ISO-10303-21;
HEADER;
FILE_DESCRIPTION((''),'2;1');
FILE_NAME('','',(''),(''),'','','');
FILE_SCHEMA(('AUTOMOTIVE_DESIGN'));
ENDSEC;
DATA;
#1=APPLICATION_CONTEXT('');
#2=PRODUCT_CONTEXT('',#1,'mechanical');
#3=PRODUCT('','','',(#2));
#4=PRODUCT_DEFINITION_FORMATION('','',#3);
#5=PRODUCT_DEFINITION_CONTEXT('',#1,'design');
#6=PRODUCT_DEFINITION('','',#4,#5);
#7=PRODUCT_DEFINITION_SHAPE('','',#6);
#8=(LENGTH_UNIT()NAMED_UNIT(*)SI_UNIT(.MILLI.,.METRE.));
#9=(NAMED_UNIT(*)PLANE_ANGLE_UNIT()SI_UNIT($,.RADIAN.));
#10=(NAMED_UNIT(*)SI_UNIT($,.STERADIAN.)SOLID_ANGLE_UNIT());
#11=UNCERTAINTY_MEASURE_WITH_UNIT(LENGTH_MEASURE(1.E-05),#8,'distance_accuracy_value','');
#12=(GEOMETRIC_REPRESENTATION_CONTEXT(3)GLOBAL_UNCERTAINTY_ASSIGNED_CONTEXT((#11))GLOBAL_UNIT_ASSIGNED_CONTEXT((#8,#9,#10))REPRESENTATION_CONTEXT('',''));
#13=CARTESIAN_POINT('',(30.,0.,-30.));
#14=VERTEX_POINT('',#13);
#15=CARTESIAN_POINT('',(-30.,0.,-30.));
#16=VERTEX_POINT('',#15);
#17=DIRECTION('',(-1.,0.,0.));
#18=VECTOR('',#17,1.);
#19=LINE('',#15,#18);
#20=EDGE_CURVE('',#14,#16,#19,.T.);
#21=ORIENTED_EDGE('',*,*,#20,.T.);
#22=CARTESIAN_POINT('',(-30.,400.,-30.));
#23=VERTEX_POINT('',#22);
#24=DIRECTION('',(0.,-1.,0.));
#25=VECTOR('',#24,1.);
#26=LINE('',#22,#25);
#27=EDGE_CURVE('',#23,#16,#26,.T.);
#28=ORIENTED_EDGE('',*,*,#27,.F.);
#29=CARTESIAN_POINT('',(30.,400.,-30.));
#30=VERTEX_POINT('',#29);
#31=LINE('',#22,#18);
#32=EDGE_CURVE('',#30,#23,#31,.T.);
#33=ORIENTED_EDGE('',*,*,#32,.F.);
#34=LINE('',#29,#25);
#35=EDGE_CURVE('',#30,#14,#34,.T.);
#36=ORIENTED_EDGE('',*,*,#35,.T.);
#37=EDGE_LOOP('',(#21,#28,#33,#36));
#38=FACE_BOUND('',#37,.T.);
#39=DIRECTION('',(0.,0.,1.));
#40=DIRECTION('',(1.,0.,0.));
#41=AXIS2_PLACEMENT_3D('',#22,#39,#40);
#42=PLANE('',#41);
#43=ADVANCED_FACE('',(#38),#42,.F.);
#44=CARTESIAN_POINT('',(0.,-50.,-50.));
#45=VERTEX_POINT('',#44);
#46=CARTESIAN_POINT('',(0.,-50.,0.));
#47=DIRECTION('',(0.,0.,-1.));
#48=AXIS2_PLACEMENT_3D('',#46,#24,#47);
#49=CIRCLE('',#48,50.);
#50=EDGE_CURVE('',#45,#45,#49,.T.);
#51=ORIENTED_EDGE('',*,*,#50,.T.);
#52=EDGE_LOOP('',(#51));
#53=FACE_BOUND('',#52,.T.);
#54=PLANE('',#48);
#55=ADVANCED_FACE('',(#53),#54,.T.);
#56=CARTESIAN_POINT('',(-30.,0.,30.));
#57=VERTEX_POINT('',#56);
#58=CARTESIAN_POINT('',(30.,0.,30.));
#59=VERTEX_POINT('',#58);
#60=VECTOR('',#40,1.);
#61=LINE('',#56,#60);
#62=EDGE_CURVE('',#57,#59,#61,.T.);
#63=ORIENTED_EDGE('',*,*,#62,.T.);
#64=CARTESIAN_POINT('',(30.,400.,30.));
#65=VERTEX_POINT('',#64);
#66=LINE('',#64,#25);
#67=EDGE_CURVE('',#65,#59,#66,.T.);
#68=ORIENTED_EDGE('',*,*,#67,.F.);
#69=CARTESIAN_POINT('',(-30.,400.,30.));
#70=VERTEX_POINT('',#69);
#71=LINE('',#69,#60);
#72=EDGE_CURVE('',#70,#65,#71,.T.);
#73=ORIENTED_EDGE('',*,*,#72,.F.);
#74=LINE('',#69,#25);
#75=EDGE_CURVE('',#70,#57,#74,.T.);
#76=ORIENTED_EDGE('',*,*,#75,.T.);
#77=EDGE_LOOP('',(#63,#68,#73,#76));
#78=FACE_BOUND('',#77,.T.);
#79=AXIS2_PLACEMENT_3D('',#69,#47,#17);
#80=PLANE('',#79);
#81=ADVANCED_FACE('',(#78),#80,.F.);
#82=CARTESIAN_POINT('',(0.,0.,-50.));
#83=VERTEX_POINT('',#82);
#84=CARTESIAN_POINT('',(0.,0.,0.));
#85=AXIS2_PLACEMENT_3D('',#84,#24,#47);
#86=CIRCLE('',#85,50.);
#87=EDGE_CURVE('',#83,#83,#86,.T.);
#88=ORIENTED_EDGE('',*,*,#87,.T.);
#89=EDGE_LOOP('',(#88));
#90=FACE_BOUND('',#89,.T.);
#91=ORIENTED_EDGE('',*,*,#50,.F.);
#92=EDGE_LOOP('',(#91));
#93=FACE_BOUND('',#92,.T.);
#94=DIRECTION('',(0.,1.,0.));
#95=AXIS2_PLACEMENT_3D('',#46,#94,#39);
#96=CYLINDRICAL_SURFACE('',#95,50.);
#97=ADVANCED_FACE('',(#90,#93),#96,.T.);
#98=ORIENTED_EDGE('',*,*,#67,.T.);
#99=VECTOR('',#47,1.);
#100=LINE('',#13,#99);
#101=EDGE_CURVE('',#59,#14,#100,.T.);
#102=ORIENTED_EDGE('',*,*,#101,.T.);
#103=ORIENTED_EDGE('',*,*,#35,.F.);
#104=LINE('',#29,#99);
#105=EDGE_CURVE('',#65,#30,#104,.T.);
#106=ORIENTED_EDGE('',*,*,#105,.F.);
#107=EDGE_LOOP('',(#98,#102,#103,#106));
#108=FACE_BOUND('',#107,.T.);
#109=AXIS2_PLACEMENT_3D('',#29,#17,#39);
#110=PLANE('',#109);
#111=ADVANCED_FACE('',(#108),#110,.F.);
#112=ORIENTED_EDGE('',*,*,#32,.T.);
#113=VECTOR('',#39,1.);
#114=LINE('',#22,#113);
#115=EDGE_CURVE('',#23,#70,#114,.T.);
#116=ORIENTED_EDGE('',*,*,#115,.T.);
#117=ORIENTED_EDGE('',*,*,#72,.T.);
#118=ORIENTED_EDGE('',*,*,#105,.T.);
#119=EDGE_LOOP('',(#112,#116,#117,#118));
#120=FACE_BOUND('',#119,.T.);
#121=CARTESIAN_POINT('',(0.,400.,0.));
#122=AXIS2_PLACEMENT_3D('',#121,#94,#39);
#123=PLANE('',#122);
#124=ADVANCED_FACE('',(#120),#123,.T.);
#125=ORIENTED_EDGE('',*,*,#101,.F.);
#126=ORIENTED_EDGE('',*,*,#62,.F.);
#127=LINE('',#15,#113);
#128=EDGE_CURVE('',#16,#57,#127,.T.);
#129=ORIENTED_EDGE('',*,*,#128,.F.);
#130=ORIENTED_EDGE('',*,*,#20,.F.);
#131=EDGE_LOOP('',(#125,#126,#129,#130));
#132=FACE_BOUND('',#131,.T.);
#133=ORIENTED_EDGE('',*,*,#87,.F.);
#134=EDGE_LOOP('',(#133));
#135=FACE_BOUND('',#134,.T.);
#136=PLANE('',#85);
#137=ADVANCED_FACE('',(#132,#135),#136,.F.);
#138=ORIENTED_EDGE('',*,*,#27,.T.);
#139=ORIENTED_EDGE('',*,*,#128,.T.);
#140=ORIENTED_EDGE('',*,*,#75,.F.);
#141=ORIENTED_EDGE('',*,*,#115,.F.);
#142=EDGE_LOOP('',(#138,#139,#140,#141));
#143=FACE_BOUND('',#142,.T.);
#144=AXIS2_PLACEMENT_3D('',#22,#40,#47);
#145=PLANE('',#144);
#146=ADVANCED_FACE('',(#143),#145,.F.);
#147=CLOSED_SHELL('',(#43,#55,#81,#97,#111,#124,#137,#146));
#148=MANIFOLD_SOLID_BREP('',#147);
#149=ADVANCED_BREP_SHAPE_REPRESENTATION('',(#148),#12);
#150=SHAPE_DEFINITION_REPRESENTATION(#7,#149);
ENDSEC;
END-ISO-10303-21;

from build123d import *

# Parameters (mm, degrees)
SKETCH_1_W      = 60
SKETCH_1_H      = 60
EXTRUDE_1_DEPTH = 400
SKETCH_2_R      = 50
EXTRUDE_2_DEPTH = 50


with BuildPart() as part:
    # 草图1 → 凸台-拉伸1 (new body)
    with BuildSketch(Plane(origin=(0, 0, 0), x_dir=(1, 0, 0), z_dir=(0, 1, 0))):
        Rectangle(SKETCH_1_W, SKETCH_1_H)
    extrude(amount=EXTRUDE_1_DEPTH)

    # 草图2 → 凸台-拉伸2 (add)
    with BuildSketch(Plane.XZ):
        with Locations(Location((0, 0, 0), (0, 0, 270))):
            Circle(SKETCH_2_R)
    extrude(amount=EXTRUDE_2_DEPTH)


solid = part.part
